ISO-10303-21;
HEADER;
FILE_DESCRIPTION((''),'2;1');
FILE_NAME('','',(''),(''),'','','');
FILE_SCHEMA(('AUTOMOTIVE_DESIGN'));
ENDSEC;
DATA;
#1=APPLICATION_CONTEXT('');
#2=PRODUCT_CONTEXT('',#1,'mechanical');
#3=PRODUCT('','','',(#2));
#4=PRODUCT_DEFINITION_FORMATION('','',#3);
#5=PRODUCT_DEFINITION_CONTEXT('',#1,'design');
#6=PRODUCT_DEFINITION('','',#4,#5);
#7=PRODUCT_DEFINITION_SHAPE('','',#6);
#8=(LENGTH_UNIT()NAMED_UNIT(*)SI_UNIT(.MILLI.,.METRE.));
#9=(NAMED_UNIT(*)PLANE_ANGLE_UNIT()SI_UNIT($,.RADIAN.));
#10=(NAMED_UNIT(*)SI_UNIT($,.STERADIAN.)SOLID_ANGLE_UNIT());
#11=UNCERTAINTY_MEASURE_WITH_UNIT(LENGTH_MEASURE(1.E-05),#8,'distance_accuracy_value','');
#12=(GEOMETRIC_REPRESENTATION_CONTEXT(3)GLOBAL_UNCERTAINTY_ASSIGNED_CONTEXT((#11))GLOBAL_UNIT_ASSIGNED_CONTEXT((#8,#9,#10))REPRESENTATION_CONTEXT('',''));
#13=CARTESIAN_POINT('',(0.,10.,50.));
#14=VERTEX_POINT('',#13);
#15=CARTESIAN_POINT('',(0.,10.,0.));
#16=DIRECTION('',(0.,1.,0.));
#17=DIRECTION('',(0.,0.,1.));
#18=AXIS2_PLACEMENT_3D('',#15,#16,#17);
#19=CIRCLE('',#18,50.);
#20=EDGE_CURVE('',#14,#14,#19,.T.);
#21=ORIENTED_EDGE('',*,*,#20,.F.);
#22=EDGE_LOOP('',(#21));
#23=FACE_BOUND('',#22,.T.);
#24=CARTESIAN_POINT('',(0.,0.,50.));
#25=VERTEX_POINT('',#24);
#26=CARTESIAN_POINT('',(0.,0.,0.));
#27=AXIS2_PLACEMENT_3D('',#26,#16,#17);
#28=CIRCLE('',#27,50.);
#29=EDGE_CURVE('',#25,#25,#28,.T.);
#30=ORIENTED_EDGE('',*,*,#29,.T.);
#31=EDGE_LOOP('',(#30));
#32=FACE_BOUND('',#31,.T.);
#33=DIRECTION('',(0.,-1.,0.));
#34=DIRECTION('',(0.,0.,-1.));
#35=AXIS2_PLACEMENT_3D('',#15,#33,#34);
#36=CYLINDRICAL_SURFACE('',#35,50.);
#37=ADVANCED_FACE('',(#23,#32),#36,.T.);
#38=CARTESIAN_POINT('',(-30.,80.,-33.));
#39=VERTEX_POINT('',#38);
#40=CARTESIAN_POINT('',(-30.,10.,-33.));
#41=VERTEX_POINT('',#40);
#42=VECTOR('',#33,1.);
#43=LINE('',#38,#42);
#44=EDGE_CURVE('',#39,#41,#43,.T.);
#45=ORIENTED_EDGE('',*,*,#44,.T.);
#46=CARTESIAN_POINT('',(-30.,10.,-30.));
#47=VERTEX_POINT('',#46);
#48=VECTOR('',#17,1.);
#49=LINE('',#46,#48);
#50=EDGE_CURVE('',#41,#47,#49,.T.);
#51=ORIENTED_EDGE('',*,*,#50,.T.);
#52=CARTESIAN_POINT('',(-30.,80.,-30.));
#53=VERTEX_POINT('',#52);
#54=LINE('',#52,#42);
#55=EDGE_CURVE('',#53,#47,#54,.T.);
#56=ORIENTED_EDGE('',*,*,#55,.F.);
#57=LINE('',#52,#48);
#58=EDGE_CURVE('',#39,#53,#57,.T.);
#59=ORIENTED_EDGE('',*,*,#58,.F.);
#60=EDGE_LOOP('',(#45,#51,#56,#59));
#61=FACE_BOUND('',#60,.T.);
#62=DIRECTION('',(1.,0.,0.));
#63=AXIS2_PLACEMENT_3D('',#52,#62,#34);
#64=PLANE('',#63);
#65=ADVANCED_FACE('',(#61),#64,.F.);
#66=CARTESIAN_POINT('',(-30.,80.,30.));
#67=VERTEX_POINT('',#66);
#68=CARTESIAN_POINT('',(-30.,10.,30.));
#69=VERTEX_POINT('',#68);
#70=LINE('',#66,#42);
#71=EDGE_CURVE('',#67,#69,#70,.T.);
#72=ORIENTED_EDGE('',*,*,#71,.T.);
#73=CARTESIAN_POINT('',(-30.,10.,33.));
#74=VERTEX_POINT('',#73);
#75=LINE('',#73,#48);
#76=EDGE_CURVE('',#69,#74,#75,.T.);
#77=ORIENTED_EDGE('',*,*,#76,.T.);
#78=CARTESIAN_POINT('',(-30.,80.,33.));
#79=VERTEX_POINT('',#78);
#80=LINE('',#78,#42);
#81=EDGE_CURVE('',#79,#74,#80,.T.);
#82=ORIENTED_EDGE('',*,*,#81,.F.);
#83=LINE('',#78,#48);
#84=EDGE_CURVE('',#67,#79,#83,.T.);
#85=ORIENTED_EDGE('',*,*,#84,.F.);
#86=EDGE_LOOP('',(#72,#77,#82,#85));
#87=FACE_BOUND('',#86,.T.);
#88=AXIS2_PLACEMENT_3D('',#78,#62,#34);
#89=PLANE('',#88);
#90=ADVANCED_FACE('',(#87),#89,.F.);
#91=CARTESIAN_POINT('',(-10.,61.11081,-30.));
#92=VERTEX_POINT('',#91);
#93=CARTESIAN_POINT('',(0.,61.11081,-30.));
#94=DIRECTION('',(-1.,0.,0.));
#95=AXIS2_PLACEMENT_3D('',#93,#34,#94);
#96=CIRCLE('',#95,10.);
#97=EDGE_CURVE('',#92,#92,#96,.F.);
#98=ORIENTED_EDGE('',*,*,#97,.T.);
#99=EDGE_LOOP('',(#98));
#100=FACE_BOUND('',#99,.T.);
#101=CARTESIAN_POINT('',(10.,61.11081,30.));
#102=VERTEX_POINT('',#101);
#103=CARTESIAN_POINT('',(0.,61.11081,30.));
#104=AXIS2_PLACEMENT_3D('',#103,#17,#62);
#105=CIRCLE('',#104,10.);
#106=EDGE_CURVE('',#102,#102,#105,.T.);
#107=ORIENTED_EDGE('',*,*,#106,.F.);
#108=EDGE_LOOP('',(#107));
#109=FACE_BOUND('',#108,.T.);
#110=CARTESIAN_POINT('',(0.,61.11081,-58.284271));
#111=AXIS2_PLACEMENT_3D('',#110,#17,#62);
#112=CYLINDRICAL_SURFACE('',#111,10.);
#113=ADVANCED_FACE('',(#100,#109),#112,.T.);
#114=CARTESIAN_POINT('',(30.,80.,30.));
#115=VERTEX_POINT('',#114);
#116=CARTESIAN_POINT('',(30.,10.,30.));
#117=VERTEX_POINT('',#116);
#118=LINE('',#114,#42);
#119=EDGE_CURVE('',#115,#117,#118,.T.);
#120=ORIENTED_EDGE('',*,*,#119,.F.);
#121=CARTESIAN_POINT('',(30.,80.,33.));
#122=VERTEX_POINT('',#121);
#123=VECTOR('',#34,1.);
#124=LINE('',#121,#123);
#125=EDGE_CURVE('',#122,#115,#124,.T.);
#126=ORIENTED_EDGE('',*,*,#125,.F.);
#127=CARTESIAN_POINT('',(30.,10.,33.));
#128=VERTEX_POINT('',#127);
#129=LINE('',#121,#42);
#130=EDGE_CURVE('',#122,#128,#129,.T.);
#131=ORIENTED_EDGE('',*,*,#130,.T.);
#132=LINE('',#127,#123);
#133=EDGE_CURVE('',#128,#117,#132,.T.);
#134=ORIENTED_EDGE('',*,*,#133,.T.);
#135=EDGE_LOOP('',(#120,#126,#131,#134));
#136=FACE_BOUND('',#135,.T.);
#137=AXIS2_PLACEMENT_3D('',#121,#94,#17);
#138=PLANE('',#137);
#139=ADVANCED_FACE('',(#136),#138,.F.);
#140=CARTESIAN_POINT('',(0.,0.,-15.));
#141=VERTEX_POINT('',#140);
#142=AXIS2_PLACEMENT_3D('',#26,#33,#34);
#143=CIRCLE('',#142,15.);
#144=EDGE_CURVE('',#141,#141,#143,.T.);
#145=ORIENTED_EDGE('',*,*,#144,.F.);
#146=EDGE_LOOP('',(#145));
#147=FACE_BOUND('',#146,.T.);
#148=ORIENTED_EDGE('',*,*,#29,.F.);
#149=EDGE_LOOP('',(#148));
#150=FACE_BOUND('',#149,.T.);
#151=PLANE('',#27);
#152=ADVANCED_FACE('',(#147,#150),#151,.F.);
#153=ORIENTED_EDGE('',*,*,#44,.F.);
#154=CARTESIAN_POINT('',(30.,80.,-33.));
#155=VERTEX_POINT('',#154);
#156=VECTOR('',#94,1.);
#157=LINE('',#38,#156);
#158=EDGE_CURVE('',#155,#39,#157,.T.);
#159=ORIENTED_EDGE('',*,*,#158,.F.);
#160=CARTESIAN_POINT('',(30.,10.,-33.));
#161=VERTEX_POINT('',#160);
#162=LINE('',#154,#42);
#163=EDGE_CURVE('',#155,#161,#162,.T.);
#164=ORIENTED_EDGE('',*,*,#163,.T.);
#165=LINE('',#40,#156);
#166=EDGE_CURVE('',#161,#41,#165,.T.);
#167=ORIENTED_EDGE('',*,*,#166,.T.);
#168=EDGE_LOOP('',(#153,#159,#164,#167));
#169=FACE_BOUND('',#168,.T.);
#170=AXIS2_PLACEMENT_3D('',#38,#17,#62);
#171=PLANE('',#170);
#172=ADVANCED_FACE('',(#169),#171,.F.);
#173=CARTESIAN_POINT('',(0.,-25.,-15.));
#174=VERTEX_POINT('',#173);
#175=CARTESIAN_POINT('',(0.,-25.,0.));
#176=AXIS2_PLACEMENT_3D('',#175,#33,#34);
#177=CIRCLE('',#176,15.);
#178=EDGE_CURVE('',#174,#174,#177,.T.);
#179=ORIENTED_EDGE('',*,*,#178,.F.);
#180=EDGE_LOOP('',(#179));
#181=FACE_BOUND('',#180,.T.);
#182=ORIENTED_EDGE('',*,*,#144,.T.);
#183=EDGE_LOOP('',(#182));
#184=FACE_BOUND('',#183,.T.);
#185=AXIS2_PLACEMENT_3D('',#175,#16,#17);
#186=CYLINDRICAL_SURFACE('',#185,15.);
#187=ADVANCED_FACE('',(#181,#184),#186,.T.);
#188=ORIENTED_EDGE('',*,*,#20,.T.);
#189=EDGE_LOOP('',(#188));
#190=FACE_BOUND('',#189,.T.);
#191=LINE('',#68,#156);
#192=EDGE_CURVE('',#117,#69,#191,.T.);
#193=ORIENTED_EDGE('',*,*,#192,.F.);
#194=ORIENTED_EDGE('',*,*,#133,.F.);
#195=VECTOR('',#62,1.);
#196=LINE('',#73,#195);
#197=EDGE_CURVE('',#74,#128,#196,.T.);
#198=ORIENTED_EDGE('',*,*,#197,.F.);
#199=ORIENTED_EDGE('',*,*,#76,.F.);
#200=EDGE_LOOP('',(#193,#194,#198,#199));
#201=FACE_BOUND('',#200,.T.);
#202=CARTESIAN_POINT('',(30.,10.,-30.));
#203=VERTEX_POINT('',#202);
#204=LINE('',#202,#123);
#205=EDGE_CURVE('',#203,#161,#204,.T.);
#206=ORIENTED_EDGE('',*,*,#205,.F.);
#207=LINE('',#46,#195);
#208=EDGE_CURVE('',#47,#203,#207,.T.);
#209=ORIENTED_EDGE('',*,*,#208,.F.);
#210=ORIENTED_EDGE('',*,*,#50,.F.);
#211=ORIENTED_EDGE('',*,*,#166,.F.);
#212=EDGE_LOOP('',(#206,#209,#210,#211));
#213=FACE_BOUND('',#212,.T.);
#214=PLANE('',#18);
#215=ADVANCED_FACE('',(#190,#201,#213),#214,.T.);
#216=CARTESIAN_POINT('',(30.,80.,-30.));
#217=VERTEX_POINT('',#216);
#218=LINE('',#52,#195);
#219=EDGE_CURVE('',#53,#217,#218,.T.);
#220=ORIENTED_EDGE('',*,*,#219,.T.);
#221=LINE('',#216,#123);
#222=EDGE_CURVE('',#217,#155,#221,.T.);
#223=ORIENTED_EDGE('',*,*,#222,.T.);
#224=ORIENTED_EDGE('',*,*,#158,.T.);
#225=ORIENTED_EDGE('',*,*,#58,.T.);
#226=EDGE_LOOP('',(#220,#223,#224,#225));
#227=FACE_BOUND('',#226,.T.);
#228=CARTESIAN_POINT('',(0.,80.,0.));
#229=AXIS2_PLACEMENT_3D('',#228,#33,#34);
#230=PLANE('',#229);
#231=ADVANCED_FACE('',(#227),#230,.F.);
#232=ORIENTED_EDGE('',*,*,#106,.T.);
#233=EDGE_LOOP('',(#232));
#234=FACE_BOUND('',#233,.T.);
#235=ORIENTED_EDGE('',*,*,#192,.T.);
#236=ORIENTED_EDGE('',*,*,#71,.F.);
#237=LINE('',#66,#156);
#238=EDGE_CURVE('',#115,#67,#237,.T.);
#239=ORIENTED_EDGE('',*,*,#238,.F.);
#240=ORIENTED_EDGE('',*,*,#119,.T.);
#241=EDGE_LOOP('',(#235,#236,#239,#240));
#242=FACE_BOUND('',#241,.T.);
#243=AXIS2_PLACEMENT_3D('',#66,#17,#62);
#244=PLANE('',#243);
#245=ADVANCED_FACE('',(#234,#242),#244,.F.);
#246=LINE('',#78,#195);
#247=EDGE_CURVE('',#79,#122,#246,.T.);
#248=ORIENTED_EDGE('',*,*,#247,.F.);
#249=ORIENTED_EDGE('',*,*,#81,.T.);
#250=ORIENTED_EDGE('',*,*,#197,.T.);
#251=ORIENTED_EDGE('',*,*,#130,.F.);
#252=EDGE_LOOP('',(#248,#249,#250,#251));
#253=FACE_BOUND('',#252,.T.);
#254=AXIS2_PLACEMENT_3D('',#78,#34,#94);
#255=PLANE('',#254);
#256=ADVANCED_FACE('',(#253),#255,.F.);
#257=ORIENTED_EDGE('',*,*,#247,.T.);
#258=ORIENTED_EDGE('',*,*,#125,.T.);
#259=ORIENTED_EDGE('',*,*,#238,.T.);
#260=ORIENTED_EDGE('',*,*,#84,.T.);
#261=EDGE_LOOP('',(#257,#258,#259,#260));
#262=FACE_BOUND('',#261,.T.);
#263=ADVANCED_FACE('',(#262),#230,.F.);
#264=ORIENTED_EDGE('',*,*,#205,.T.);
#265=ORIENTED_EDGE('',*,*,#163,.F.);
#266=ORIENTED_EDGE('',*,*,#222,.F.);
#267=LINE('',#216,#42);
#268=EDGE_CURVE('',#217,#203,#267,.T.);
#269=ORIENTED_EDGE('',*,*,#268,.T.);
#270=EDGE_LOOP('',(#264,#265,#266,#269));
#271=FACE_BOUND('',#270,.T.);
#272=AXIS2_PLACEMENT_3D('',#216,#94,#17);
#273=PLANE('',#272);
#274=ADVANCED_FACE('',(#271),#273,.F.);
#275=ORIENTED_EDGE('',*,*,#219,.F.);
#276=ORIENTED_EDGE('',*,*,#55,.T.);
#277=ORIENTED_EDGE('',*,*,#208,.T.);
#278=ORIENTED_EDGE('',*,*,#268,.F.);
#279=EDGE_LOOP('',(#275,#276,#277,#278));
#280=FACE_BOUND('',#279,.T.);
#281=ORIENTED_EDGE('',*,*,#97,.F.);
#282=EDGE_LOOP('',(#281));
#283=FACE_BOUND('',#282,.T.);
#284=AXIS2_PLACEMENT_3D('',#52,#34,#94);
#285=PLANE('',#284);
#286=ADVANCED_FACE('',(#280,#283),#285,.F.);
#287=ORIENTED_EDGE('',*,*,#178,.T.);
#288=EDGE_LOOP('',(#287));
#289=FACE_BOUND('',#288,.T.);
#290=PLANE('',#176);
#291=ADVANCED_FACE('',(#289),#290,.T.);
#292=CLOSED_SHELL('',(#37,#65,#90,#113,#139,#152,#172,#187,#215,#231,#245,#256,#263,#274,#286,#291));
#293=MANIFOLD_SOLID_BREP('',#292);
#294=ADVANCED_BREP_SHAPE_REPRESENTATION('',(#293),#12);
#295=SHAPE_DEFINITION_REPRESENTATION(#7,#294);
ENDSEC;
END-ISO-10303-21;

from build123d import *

# Parameters (mm, degrees)
SKETCH1_R           = 50
BOSS_EXTRUDE1_DEPTH = 10
SKETCH2_R           = 15
BOSS_EXTRUDE2_DEPTH = 25
SKETCH3_W           = 60
SKETCH3_H           = 3
BOSS_EXTRUDE3_DEPTH = 70
SKETCH4_R           = 10
BOSS_EXTRUDE4_DEPTH = 63


with BuildPart() as part:
    # Sketch1 → Boss-Extrude1 (new body)
    with BuildSketch(Plane(origin=(0, 0, 0), x_dir=(1, 0, 0), z_dir=(0, 1, 0))):
        with Locations(Location((0, 0, 0), (0, 0, 270))):
            Circle(SKETCH1_R)
    extrude(amount=BOSS_EXTRUDE1_DEPTH)

    # Sketch2 → Boss-Extrude2 (add)
    with BuildSketch(Plane(origin=(0, 0, 0), x_dir=(-1, 0, 0), z_dir=(0, -1, 0))):
        with Locations(Location((0, 0, 0), (0, 0, 90))):
            Circle(SKETCH2_R)
    extrude(amount=BOSS_EXTRUDE2_DEPTH)

    # Sketch3 → Boss-Extrude3 (add)
    with BuildSketch(Plane(origin=(0, 10, 0), x_dir=(1, 0, 0), z_dir=(0, 1, 0))):
        with Locations((0, -31.5)):
            Rectangle(SKETCH3_W, SKETCH3_H)
        with Locations((0, 31.5)):
            Rectangle(SKETCH3_W, SKETCH3_H)
    extrude(amount=BOSS_EXTRUDE3_DEPTH)

    # Sketch4 → Boss-Extrude4 (add)
    with BuildSketch(Plane.XY.offset(33)):
        with Locations((0, 61.110810205)):
            Circle(SKETCH4_R)
    extrude(amount=-BOSS_EXTRUDE4_DEPTH)


solid = part.part
